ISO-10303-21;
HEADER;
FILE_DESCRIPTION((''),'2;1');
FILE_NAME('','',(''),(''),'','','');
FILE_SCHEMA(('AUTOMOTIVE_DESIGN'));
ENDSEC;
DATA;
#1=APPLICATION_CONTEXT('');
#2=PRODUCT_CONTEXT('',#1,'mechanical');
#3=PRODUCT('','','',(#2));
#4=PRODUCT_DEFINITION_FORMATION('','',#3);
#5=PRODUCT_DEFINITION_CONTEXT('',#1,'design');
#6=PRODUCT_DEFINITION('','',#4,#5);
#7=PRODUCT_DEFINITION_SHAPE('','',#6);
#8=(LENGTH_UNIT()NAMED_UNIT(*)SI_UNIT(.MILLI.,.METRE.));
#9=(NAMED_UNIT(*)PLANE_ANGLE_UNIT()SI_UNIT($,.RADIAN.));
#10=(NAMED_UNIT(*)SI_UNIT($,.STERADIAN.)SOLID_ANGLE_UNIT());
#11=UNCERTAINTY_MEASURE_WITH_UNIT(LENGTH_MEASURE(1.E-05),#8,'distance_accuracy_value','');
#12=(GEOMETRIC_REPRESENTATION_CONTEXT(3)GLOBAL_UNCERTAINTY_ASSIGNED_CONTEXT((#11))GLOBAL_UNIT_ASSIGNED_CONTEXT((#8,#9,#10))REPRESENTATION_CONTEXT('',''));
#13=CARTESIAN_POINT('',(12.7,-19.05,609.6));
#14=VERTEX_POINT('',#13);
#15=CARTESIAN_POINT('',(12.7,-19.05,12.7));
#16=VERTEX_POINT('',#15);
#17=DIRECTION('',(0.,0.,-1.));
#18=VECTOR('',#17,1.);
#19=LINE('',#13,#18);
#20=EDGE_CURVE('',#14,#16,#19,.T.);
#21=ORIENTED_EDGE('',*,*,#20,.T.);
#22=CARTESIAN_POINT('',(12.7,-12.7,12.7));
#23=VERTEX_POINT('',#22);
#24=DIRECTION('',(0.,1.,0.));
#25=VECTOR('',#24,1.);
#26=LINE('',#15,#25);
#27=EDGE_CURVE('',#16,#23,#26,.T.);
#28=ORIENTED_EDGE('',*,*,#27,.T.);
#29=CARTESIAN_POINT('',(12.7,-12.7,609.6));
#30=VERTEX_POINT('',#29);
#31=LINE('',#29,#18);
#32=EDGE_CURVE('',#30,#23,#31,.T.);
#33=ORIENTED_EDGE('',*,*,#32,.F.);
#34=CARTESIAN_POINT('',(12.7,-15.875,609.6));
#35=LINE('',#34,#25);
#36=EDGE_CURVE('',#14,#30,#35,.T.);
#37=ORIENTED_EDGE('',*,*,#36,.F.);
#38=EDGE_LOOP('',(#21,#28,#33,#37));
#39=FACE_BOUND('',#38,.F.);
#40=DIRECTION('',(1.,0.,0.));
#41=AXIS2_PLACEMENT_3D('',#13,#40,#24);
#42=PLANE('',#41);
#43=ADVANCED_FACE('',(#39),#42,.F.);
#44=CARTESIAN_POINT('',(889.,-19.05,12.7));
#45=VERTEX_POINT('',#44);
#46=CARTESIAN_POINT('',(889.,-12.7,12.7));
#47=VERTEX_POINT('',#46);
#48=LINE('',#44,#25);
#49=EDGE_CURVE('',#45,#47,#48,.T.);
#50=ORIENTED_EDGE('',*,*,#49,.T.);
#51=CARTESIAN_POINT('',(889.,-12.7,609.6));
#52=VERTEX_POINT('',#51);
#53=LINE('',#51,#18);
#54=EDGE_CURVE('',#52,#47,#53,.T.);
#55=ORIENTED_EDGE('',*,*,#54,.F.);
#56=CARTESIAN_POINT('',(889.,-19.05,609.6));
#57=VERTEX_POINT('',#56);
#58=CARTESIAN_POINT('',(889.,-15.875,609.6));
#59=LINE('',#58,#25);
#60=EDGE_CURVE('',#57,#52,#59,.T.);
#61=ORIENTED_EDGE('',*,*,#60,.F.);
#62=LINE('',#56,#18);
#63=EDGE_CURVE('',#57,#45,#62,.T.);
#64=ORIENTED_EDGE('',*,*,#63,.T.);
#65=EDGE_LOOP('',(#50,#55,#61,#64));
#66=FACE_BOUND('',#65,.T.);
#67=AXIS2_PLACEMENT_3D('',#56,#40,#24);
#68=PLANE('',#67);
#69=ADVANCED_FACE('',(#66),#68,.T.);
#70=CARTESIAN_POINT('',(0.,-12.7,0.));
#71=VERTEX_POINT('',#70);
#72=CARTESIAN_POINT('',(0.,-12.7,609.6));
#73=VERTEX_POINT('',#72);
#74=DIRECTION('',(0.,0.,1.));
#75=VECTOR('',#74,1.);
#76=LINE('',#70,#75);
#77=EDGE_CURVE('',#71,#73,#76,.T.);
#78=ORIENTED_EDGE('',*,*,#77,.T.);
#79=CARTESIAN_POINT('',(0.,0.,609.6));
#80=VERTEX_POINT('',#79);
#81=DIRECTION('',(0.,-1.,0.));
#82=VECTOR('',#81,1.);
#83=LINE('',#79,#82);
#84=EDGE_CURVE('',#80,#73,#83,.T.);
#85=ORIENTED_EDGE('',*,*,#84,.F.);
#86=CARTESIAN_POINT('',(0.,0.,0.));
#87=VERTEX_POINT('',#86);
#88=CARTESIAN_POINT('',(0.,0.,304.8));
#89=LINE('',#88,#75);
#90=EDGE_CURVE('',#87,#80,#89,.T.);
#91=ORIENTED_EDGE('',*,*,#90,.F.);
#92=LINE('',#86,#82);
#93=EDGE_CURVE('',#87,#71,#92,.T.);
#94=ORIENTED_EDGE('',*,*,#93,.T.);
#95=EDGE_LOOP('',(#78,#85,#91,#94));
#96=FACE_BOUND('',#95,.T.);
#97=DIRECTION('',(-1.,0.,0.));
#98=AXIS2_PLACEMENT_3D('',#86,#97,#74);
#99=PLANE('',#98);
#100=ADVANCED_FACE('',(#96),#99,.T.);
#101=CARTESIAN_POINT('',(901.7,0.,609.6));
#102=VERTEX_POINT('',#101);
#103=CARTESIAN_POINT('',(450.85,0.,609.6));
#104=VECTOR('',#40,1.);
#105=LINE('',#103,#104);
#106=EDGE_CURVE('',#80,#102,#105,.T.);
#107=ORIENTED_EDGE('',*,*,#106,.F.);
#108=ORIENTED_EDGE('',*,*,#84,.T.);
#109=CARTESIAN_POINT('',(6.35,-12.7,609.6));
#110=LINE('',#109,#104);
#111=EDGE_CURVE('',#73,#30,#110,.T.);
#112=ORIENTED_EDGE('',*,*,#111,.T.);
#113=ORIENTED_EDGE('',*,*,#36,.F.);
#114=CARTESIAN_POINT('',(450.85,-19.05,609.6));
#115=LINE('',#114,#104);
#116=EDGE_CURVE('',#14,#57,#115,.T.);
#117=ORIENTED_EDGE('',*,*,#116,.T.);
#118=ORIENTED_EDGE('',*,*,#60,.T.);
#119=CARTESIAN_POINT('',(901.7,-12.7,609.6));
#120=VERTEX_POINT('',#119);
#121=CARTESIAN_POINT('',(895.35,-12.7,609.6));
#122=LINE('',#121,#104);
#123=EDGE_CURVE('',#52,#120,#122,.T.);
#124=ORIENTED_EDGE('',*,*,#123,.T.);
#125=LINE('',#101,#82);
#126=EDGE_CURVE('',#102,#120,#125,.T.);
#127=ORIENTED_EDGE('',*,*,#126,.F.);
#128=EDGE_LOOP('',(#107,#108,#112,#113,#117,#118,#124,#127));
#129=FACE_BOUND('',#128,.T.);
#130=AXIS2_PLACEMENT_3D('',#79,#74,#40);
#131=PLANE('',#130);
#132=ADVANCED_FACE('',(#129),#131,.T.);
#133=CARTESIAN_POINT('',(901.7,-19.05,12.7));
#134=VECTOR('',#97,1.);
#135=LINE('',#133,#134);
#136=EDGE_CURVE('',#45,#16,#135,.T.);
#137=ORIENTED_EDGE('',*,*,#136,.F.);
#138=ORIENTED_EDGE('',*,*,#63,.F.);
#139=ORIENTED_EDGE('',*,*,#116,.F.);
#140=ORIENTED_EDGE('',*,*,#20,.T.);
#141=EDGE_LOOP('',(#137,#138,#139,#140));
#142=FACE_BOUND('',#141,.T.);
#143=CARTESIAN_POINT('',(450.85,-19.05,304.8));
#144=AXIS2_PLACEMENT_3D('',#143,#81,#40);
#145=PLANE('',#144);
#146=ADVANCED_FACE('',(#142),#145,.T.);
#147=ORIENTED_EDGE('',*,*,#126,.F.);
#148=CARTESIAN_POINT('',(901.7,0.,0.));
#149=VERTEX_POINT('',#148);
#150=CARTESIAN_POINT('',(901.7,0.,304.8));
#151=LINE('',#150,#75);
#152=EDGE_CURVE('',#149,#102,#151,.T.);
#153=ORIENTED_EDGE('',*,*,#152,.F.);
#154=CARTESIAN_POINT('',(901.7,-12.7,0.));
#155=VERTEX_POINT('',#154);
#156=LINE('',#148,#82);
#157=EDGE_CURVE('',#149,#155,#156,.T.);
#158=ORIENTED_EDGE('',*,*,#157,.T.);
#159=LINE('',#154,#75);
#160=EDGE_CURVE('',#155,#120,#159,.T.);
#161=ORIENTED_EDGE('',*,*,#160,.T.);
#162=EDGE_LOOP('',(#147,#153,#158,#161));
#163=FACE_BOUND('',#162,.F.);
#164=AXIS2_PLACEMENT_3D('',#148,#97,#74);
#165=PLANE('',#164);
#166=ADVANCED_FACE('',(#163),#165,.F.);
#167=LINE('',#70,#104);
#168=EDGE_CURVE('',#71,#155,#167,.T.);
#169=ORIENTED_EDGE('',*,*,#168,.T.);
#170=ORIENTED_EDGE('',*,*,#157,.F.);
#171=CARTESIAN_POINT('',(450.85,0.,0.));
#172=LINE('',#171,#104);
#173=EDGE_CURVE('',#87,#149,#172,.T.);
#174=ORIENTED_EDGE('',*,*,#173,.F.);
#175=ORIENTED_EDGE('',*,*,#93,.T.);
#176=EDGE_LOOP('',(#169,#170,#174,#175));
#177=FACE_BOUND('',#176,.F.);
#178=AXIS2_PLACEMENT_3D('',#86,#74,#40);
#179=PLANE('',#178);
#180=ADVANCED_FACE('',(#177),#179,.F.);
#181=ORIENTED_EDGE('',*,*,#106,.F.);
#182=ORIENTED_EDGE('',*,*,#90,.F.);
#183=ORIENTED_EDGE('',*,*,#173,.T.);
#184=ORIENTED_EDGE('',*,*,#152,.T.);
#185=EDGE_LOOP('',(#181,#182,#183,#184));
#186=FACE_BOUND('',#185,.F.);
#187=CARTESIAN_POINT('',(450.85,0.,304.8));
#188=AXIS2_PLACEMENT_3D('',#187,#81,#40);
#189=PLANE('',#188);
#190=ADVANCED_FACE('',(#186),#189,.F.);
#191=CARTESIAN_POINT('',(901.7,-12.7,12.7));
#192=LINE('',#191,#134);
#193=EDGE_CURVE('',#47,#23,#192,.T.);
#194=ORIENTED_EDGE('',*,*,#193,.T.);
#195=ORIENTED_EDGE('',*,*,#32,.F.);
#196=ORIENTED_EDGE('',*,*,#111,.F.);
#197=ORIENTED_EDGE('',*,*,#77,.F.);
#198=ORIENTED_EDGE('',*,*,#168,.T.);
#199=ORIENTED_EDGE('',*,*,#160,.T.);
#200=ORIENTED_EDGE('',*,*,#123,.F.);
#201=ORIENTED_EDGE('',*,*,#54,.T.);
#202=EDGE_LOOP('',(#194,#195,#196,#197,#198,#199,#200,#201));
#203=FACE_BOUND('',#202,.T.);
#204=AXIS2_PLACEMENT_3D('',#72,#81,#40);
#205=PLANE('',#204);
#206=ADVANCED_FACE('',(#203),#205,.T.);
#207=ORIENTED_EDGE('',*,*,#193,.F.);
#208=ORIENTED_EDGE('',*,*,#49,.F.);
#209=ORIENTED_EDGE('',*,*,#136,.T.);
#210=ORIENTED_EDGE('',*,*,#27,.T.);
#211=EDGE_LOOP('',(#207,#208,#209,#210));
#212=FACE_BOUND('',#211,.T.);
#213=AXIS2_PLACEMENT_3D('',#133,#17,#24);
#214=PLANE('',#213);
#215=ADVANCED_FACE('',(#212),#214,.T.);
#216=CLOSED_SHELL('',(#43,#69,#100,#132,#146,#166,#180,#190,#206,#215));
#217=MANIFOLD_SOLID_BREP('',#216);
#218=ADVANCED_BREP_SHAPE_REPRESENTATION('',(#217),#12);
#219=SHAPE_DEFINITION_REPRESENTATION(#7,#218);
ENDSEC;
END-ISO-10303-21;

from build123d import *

# Parameters (mm, degrees)
F0_W     = 901.7
F0_H     = 609.6
F1_DEPTH = 19.05
F2_W     = 12.7
F2_H     = 6.35
F3_DEPTH = 609.601
F4_W     = 6.35
F4_H     = 12.7
F5_DEPTH = 901.701


with BuildPart() as f1:
    # F0 (on Front) → F1 (new body)
    with BuildSketch(Plane.XZ):
        with Locations((450.85, 304.8)):
            Rectangle(F0_W, F0_H)
    extrude(amount=F1_DEPTH)

    # F2 (on face) → F3 (cut, through all)
    with BuildSketch(Plane.XY.offset(609.6)):
        with Locations((895.35, -15.875)):
            Rectangle(F2_W, F2_H)
        with Locations((6.35, -15.875)):
            Rectangle(F2_W, F2_H)
    extrude(amount=-F3_DEPTH, mode=Mode.SUBTRACT)

    # F4 (on face) → F5 (cut, through all)
    with BuildSketch(Plane.YZ.offset(901.7)):
        with Locations((-15.875, 6.35)):
            Rectangle(F4_W, F4_H)
    extrude(amount=-F5_DEPTH, mode=Mode.SUBTRACT)


solid = f1.part
